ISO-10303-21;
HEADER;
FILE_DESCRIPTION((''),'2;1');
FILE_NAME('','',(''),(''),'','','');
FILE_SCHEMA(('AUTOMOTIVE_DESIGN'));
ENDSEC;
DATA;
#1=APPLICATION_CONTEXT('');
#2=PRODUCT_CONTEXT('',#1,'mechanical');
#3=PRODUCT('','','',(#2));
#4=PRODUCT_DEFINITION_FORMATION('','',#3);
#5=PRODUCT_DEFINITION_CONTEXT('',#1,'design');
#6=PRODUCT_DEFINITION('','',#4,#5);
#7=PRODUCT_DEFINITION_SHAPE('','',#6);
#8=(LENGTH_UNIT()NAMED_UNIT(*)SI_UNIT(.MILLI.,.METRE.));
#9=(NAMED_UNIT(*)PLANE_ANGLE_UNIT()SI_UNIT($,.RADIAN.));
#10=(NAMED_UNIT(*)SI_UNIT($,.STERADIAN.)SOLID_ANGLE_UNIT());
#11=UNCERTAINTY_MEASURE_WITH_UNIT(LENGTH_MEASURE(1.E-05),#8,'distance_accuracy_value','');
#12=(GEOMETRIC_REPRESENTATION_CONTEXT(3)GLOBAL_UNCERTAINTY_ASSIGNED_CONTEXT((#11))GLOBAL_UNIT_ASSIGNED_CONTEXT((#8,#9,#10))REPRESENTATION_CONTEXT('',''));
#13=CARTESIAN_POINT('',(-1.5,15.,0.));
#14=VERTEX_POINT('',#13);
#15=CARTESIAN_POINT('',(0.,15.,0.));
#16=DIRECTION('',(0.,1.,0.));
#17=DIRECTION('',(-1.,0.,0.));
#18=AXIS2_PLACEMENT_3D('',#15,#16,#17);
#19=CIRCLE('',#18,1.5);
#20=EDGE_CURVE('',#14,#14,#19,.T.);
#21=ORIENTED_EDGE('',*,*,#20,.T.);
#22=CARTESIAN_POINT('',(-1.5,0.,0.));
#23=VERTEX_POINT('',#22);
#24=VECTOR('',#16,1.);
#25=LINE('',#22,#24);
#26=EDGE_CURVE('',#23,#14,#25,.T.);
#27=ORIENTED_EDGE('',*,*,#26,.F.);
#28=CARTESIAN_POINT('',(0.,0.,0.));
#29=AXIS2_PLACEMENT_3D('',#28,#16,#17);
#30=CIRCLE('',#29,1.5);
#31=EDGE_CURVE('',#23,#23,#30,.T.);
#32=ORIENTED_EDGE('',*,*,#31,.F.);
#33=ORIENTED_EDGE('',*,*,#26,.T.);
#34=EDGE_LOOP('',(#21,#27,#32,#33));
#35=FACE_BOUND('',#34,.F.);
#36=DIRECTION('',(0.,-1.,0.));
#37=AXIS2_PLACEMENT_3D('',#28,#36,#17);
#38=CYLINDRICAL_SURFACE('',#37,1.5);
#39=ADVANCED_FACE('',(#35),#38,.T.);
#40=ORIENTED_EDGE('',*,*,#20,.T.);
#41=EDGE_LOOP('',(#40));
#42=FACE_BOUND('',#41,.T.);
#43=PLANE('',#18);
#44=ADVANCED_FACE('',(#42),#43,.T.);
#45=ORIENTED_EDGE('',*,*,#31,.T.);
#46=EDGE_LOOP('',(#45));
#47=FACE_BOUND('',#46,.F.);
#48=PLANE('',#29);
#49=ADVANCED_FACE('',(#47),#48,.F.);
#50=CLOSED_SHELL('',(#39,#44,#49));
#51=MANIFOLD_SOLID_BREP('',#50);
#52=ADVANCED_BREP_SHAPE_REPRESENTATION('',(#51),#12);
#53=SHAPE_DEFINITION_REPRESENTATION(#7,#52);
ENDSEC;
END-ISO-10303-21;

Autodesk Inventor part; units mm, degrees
ref_plane "YZ Plane" through (0, 0, 0) normal (1, 0, 0) x (0, 1, 0)
ref_plane "XZ Plane" through (0, 0, 0) normal (0, 1, 0) x (-1, 0, 0)
ref_plane "XY Plane" through (0, 0, 0) normal (0, 0, 1) x (1, 0, 0)
sketch "Эскиз1" plane through (0, 0, 0) normal (0, 1, 0) x (-1, 0, 0)
  circle A0 centre (0, 0) radius 1.5
  dimension "d0" = 3
extrude "Выдавливание1" add sketch "Эскиз1" along normal blind 15
properties part number "Ось балки рулевого управления ведомая"
